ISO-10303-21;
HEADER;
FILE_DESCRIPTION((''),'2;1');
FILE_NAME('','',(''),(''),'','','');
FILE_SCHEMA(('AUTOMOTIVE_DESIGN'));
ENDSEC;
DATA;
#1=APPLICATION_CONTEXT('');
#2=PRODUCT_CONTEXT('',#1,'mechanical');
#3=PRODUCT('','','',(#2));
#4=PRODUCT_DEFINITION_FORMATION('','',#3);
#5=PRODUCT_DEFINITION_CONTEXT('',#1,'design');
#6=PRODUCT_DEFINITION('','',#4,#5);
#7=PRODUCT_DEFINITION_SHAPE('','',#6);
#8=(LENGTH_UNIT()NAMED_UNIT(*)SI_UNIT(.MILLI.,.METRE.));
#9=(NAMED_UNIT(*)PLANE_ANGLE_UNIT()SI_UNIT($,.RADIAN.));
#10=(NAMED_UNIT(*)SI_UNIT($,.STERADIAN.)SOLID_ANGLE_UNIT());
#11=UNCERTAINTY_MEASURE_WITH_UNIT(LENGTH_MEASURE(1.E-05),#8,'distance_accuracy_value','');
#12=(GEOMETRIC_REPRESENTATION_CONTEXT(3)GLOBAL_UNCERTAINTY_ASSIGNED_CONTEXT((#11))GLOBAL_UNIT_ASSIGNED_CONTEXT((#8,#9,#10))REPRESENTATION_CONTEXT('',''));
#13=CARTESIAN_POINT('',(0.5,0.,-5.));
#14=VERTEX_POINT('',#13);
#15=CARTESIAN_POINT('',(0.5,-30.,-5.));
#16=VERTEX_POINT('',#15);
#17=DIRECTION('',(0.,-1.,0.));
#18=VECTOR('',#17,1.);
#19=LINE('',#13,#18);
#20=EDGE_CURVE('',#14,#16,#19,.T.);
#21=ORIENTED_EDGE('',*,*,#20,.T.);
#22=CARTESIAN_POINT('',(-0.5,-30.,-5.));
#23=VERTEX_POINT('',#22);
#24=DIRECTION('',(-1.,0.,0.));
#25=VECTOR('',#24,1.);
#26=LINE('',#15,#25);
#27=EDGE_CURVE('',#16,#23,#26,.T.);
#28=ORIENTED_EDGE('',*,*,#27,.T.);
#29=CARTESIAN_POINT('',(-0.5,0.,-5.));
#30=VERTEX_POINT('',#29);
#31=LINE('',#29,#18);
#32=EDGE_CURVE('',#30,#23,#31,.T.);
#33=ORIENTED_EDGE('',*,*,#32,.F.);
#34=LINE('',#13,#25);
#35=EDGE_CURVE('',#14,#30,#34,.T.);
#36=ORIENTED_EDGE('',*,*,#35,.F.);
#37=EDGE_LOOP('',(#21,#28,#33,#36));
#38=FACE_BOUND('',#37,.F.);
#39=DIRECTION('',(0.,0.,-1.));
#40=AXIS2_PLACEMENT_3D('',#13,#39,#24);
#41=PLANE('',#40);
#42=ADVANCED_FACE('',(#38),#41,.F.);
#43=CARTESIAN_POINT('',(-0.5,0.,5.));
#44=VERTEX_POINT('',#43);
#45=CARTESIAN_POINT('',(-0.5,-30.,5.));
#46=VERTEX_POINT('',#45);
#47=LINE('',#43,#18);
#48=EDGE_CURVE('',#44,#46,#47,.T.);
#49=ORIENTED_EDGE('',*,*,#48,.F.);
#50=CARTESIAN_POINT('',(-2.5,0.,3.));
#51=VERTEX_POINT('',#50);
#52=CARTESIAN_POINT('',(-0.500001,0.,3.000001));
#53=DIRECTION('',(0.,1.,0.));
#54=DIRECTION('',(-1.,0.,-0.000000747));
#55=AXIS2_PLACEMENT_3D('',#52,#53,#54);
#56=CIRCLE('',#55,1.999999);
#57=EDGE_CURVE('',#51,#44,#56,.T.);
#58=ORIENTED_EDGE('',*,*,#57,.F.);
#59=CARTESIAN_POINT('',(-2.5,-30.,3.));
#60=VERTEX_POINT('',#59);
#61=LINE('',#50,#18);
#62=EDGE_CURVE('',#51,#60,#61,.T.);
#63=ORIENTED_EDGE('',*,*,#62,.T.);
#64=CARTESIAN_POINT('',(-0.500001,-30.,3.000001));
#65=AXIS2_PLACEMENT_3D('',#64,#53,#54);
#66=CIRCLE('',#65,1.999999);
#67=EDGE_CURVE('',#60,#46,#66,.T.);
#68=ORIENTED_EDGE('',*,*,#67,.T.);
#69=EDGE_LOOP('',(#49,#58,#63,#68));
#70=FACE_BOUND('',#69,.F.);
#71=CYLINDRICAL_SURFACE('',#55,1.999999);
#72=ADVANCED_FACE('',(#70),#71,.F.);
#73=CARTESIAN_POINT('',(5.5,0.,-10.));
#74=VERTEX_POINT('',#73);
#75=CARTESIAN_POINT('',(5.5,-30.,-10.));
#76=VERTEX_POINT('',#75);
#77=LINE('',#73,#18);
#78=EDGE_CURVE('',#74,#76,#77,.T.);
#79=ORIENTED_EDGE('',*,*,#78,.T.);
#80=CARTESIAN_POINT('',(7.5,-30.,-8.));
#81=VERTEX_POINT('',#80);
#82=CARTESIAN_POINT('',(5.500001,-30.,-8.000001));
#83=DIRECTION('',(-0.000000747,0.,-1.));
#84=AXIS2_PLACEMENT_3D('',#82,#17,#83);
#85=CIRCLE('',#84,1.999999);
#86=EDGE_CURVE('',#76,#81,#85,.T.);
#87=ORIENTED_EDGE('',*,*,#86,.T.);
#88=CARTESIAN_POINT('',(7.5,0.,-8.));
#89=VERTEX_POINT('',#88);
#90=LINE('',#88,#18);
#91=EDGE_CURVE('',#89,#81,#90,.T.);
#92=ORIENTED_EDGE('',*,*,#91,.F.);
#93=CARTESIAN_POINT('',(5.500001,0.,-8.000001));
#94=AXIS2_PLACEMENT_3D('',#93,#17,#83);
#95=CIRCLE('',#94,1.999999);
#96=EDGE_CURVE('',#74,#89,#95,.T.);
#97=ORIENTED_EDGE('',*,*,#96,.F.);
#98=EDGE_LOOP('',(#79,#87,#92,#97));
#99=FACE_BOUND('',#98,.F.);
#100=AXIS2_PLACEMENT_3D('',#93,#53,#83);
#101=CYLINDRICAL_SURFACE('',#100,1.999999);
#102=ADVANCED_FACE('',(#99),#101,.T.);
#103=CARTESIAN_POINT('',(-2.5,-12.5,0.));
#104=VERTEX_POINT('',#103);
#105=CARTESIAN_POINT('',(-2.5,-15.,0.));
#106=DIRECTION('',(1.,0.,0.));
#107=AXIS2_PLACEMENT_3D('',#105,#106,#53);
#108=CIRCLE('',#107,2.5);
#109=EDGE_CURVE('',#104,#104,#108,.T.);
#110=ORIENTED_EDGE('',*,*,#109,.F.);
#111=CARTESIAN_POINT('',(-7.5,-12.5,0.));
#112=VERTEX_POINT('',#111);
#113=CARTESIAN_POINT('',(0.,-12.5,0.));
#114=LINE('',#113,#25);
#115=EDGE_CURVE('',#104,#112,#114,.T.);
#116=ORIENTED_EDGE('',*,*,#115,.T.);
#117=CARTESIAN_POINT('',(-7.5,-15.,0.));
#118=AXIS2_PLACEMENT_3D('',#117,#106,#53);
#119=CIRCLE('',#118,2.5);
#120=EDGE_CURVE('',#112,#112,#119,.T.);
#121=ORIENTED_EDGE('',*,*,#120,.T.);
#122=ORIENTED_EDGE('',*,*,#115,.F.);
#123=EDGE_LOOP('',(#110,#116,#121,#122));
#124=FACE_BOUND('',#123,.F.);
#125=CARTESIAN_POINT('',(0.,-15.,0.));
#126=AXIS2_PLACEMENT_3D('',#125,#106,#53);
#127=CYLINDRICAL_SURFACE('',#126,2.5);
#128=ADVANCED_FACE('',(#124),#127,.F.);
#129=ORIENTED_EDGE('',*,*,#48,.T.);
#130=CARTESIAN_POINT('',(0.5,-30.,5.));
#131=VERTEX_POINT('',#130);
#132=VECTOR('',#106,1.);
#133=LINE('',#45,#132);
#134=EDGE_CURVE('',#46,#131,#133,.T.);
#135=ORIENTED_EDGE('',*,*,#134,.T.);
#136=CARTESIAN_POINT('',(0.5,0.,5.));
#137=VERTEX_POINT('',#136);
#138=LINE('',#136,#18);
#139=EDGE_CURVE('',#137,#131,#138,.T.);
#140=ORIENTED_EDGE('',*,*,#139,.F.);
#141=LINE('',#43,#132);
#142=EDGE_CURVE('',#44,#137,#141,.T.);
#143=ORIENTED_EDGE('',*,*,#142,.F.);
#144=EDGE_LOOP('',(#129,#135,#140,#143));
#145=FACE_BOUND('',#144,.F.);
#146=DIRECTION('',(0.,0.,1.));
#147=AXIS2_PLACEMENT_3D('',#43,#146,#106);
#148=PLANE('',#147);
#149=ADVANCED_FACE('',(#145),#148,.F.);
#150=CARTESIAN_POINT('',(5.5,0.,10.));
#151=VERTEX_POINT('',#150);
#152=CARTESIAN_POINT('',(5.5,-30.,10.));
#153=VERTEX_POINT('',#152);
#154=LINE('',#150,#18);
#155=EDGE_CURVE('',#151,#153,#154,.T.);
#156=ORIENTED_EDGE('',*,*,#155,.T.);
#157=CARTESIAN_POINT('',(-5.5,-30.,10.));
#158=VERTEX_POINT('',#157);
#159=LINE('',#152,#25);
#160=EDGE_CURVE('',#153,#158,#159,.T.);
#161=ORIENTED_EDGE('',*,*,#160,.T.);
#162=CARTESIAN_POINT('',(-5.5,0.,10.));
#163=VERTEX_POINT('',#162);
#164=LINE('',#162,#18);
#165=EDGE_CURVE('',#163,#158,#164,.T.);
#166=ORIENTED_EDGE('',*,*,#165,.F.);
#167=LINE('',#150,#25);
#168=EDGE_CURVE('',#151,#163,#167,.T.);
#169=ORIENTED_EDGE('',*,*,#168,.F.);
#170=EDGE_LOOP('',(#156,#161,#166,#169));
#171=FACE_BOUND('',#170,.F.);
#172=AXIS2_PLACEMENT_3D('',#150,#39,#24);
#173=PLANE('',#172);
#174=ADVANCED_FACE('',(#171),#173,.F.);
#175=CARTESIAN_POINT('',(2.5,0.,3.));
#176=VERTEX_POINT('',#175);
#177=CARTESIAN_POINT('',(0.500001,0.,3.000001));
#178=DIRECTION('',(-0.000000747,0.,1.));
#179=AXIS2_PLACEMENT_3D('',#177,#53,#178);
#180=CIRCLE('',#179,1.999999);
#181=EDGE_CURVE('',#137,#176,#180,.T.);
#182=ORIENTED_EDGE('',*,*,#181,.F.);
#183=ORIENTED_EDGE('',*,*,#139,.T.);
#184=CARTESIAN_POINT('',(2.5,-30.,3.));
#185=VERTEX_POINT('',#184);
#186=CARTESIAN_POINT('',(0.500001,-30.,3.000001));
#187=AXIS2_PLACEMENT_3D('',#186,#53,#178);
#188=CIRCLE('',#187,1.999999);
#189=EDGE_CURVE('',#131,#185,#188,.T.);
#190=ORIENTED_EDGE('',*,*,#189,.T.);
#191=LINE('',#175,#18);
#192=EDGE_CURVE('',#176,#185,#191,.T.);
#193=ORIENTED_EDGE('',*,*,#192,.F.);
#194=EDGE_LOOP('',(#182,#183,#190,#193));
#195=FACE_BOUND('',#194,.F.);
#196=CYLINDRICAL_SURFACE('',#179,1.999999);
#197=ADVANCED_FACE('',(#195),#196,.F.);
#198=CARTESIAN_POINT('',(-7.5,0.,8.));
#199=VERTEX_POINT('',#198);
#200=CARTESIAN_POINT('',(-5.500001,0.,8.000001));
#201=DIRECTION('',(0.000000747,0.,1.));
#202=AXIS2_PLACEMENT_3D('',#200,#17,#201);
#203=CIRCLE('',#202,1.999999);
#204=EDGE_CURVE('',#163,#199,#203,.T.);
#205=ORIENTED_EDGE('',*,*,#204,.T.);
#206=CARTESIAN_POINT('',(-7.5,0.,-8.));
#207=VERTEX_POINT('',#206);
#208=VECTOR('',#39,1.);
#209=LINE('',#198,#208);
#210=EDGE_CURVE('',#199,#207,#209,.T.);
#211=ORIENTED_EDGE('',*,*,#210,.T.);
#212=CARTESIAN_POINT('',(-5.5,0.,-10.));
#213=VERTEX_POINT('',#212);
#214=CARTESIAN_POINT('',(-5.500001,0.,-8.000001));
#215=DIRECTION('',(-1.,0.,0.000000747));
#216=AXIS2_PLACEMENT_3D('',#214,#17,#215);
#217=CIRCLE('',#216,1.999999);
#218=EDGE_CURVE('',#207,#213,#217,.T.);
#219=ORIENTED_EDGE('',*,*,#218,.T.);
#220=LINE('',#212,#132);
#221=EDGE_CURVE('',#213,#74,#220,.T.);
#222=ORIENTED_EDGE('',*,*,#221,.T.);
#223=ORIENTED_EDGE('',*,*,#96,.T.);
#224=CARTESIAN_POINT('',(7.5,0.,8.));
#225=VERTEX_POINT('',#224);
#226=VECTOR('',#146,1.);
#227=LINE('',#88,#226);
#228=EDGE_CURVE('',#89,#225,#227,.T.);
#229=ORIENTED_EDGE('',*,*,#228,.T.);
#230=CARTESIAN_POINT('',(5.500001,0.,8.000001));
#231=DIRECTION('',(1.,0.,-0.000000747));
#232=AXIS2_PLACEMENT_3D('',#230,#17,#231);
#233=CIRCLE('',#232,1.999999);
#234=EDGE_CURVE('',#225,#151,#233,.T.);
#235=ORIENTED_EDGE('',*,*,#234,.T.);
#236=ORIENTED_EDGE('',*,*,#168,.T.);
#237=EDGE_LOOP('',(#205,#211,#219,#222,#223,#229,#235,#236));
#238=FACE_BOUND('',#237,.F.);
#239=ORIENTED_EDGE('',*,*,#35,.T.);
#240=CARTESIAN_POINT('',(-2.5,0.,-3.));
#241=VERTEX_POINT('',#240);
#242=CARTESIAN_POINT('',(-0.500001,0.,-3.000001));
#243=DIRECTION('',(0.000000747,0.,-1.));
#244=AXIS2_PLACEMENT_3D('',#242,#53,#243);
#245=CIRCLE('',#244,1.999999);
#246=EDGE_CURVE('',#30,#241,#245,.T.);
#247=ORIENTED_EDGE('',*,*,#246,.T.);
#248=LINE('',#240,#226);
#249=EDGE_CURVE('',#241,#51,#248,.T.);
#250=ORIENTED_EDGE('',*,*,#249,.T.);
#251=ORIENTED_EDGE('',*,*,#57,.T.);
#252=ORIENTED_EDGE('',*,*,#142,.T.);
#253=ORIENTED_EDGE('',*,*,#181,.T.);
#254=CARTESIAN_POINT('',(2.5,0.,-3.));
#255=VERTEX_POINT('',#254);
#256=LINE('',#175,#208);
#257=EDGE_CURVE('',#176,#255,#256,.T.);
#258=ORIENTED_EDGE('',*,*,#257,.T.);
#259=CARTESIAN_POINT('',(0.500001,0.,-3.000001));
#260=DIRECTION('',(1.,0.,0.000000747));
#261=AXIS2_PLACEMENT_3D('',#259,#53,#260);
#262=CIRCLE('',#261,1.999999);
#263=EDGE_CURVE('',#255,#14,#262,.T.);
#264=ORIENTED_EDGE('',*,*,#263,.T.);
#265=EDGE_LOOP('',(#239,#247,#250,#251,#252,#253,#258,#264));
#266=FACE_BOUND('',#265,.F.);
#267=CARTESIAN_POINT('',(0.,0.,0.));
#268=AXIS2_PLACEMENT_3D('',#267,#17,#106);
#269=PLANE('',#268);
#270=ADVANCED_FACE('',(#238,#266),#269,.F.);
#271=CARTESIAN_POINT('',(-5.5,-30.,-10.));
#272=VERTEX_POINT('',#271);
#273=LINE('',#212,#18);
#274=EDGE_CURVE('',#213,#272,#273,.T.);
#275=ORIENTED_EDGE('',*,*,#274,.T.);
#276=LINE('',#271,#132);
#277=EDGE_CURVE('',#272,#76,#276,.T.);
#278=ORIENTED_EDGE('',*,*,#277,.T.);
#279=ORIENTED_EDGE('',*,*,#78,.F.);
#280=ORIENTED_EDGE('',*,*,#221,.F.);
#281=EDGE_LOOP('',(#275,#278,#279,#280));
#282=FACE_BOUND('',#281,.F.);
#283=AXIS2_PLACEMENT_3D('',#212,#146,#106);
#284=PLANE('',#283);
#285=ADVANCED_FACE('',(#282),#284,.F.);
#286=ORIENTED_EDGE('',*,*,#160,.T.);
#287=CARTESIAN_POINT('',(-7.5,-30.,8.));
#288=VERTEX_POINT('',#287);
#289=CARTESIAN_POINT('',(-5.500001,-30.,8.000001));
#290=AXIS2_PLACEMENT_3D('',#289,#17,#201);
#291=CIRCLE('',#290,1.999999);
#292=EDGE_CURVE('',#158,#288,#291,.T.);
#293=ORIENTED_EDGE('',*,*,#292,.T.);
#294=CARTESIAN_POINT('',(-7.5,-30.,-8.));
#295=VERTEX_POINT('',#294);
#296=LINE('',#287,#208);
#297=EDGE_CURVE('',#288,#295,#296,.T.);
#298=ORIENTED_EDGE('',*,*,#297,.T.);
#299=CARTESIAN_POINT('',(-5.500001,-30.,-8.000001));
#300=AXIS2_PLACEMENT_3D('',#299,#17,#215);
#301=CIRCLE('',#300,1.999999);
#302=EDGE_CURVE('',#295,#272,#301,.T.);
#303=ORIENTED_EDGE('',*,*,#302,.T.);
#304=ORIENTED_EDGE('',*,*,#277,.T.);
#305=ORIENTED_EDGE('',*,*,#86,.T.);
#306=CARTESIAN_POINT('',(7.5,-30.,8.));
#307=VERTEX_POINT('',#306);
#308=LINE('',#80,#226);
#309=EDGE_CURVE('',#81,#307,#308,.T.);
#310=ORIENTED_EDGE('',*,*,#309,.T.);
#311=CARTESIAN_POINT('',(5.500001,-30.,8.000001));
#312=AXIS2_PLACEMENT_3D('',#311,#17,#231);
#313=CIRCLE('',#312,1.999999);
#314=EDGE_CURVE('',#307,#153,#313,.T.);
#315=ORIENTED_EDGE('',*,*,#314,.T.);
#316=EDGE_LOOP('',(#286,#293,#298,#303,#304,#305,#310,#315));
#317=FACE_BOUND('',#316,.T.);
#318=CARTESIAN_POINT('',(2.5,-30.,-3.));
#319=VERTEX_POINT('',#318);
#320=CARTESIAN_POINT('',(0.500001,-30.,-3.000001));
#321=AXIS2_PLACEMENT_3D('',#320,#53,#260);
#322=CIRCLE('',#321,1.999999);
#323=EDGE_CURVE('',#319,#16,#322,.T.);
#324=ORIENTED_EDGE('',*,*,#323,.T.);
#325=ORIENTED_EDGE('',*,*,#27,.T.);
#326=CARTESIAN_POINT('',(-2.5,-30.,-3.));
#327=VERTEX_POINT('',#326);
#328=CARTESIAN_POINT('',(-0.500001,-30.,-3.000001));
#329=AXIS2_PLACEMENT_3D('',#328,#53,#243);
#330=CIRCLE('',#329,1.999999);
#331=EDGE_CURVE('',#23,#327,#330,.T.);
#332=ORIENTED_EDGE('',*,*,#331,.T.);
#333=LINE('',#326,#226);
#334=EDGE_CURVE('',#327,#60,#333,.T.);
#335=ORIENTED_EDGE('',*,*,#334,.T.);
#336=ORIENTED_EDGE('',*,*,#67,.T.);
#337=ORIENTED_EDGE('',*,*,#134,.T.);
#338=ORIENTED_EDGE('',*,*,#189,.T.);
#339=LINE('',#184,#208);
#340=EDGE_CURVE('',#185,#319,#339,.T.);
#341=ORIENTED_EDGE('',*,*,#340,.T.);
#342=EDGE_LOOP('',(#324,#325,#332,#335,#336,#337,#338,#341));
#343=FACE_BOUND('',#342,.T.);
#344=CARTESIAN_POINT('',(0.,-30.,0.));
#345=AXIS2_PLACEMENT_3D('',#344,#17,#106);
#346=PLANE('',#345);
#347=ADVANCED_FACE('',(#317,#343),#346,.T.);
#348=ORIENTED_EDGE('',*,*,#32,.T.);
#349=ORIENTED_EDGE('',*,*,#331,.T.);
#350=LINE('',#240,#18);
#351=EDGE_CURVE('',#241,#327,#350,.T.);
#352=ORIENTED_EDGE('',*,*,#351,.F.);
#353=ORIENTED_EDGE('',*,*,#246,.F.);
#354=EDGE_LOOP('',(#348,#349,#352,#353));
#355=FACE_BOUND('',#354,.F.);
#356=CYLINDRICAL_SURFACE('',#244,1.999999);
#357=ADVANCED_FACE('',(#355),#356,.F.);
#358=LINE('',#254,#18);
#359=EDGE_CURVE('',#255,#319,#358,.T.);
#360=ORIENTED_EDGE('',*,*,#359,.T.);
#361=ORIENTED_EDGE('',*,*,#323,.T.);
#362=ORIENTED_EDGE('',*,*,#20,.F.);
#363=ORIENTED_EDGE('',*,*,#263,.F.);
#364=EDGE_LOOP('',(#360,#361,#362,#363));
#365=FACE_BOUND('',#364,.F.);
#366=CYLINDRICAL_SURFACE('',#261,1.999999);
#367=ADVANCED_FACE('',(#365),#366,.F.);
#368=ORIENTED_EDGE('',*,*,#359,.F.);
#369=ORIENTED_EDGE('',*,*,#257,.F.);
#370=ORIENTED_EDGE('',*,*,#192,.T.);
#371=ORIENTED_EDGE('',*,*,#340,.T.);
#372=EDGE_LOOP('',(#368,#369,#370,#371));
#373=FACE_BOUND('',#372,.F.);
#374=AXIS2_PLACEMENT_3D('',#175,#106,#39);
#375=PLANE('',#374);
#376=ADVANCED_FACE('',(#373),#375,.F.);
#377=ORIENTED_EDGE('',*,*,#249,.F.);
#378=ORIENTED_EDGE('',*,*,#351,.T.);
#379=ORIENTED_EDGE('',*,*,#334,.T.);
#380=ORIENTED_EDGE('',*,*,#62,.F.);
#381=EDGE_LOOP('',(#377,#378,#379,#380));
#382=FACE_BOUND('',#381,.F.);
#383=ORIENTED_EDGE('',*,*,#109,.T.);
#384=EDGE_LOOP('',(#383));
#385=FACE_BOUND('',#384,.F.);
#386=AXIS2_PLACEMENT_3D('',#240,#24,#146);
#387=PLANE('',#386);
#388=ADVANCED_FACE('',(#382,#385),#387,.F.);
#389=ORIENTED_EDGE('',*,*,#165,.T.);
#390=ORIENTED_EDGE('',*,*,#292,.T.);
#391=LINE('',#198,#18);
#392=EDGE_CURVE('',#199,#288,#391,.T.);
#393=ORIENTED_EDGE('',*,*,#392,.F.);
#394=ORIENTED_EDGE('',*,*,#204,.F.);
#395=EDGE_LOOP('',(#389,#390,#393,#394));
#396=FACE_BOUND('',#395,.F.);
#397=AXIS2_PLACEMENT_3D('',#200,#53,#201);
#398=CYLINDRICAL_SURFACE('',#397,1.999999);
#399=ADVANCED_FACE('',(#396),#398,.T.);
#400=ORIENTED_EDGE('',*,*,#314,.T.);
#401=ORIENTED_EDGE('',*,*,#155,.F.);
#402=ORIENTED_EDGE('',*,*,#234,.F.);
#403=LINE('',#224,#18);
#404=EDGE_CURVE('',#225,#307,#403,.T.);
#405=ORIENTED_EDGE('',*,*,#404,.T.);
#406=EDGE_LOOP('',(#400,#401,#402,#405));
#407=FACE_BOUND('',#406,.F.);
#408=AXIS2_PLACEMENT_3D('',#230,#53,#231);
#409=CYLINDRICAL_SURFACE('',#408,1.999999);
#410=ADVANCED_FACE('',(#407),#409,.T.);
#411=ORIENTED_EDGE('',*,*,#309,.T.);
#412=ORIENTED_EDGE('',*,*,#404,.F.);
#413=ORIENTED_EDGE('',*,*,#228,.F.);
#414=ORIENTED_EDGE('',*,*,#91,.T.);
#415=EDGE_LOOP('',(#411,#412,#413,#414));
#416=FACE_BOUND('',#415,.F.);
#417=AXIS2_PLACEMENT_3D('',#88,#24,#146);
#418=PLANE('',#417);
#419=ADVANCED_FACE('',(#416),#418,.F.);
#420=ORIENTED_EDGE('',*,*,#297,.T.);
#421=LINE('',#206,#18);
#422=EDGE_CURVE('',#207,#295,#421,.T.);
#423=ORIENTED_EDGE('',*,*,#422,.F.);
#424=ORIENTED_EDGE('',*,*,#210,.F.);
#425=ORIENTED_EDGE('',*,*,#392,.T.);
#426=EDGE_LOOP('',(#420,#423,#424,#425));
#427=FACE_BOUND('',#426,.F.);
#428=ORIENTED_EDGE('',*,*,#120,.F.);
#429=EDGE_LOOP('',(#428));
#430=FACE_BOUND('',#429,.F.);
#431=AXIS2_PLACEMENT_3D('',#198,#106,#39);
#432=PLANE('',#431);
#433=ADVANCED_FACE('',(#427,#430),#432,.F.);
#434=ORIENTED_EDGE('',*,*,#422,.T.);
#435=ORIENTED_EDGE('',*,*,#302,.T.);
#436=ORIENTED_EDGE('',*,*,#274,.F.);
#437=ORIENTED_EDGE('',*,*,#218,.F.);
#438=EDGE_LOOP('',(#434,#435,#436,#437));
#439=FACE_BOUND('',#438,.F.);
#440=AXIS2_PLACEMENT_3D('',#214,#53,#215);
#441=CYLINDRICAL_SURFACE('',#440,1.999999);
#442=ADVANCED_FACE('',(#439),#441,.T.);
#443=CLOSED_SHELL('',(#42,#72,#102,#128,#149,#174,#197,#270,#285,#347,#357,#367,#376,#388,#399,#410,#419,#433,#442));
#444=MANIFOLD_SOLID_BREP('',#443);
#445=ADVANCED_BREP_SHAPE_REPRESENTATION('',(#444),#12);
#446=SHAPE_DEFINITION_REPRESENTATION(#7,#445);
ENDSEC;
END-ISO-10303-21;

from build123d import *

# Parameters (mm, degrees)
F1_DEPTH = 30
F2_R     = 2.5
F3_DEPTH = 30


with BuildPart() as f1:
    # F0 (on Front) → F1 (new body)
    with BuildSketch(Plane.XZ):
        with BuildLine():
            ThreePointArc((7.5, 8), (6.914214, 9.414214), (5.5, 10))
            Line((5.5, 10), (-5.5, 10))
            ThreePointArc((-5.5, 10), (-6.914214, 9.414214), (-7.5, 8))
            Line((-7.5, 8), (-7.5, -8))
            ThreePointArc((-7.5, -8), (-6.914214, -9.414214), (-5.5, -10))
            Line((-5.5, -10), (5.5, -10))
            ThreePointArc((5.5, -10), (6.914214, -9.414214), (7.5, -8))
            Line((7.5, -8), (7.5, 8))
        make_face()
        with BuildLine():
            Line((-0.5, 5), (0.5, 5))
            ThreePointArc((0.5, 5), (1.914214, 4.414214), (2.5, 3))
            Line((2.5, 3), (2.5, -3))
            ThreePointArc((2.5, -3), (1.914214, -4.414214), (0.5, -5))
            Line((0.5, -5), (-0.5, -5))
            ThreePointArc((-0.5, -5), (-1.914214, -4.414214), (-2.5, -3))
            Line((-2.5, -3), (-2.5, 3))
            ThreePointArc((-2.5, 3), (-1.914214, 4.414214), (-0.5, 5))
        make_face(mode=Mode.SUBTRACT)
    extrude(amount=F1_DEPTH)

    # F2 (on Right) → F3 (cut)
    with BuildSketch(Plane.YZ):
        with Locations((-15, 0)):
            Circle(F2_R)
    extrude(amount=-F3_DEPTH, mode=Mode.SUBTRACT)


solid = f1.part
